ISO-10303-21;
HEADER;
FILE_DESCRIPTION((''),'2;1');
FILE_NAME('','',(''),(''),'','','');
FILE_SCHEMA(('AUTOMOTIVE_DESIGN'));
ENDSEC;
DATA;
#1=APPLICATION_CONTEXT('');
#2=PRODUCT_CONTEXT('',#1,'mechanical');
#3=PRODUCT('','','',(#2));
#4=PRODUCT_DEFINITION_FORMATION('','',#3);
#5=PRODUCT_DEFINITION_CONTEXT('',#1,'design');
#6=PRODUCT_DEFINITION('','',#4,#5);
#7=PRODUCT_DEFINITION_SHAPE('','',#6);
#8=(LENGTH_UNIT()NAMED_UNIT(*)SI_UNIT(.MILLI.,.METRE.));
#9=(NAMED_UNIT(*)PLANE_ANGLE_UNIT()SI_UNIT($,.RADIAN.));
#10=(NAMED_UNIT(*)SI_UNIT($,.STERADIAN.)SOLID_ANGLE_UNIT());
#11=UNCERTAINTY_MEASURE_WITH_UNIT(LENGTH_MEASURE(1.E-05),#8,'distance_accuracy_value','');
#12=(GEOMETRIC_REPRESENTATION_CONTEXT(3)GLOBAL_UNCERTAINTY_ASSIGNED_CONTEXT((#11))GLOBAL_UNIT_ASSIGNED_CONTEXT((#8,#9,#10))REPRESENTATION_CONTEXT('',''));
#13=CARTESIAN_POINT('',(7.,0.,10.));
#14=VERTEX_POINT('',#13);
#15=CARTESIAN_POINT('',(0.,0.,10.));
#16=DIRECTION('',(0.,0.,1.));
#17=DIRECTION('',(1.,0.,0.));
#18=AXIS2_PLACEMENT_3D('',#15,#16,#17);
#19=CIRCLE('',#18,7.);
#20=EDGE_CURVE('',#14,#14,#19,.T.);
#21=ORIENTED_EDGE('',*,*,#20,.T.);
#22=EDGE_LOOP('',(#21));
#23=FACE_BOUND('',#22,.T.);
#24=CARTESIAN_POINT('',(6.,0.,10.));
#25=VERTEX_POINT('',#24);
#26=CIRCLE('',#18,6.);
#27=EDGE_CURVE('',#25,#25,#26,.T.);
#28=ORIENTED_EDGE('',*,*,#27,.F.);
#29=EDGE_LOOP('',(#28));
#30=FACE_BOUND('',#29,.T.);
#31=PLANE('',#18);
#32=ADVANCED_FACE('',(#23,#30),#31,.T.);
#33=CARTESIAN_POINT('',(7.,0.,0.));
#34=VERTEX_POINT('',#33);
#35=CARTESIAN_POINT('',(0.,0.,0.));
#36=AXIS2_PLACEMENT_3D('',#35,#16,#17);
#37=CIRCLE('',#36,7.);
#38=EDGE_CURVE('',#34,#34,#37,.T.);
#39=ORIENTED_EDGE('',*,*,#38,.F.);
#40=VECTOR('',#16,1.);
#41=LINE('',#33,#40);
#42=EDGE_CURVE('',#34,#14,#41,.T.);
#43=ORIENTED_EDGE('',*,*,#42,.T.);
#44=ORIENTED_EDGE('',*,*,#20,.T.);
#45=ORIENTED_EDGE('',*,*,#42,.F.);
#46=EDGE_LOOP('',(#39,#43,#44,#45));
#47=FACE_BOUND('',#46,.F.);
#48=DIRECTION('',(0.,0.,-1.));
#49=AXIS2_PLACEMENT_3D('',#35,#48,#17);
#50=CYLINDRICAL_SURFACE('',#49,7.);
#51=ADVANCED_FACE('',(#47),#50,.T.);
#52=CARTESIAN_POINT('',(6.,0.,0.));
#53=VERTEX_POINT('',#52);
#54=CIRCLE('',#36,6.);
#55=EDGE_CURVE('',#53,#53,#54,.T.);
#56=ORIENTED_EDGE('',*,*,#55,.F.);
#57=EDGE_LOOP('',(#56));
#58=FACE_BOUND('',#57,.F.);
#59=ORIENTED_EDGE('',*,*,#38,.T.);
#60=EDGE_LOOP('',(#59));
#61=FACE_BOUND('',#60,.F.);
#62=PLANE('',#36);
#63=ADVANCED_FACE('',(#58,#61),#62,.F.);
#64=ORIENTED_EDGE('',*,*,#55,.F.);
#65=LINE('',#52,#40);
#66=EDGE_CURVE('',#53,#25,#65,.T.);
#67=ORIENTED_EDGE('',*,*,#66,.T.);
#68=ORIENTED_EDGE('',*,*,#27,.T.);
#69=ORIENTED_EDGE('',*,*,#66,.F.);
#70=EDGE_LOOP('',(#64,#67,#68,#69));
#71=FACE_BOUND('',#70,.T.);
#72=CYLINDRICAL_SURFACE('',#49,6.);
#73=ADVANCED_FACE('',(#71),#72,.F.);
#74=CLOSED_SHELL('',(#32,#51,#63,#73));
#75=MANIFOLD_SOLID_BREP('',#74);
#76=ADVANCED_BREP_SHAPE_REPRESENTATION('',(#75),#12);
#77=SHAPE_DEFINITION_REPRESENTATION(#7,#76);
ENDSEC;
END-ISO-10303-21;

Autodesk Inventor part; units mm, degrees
ref_plane "YZ Plane" through (0, 0, 0) normal (1, 0, 0) x (0, 1, 0)
ref_plane "XZ Plane" through (0, 0, 0) normal (0, 1, 0) x (-1, 0, 0)
ref_plane "XY Plane" through (0, 0, 0) normal (0, 0, 1) x (1, 0, 0)
sketch "スケッチ1" plane through (0, 0, 0) normal (0, 0, 1) x (1, 0, 0)
  circle A0 centre (0, 0) radius 7
  circle A1 centre (0, 0) radius 6
  dimension "d0" = 14
  dimension "d1" = 12
extrude "押し出し1" add sketch "スケッチ1" along normal blind 10
properties part number "オイレス　12-14 10" material "アセタール樹脂、黒"
